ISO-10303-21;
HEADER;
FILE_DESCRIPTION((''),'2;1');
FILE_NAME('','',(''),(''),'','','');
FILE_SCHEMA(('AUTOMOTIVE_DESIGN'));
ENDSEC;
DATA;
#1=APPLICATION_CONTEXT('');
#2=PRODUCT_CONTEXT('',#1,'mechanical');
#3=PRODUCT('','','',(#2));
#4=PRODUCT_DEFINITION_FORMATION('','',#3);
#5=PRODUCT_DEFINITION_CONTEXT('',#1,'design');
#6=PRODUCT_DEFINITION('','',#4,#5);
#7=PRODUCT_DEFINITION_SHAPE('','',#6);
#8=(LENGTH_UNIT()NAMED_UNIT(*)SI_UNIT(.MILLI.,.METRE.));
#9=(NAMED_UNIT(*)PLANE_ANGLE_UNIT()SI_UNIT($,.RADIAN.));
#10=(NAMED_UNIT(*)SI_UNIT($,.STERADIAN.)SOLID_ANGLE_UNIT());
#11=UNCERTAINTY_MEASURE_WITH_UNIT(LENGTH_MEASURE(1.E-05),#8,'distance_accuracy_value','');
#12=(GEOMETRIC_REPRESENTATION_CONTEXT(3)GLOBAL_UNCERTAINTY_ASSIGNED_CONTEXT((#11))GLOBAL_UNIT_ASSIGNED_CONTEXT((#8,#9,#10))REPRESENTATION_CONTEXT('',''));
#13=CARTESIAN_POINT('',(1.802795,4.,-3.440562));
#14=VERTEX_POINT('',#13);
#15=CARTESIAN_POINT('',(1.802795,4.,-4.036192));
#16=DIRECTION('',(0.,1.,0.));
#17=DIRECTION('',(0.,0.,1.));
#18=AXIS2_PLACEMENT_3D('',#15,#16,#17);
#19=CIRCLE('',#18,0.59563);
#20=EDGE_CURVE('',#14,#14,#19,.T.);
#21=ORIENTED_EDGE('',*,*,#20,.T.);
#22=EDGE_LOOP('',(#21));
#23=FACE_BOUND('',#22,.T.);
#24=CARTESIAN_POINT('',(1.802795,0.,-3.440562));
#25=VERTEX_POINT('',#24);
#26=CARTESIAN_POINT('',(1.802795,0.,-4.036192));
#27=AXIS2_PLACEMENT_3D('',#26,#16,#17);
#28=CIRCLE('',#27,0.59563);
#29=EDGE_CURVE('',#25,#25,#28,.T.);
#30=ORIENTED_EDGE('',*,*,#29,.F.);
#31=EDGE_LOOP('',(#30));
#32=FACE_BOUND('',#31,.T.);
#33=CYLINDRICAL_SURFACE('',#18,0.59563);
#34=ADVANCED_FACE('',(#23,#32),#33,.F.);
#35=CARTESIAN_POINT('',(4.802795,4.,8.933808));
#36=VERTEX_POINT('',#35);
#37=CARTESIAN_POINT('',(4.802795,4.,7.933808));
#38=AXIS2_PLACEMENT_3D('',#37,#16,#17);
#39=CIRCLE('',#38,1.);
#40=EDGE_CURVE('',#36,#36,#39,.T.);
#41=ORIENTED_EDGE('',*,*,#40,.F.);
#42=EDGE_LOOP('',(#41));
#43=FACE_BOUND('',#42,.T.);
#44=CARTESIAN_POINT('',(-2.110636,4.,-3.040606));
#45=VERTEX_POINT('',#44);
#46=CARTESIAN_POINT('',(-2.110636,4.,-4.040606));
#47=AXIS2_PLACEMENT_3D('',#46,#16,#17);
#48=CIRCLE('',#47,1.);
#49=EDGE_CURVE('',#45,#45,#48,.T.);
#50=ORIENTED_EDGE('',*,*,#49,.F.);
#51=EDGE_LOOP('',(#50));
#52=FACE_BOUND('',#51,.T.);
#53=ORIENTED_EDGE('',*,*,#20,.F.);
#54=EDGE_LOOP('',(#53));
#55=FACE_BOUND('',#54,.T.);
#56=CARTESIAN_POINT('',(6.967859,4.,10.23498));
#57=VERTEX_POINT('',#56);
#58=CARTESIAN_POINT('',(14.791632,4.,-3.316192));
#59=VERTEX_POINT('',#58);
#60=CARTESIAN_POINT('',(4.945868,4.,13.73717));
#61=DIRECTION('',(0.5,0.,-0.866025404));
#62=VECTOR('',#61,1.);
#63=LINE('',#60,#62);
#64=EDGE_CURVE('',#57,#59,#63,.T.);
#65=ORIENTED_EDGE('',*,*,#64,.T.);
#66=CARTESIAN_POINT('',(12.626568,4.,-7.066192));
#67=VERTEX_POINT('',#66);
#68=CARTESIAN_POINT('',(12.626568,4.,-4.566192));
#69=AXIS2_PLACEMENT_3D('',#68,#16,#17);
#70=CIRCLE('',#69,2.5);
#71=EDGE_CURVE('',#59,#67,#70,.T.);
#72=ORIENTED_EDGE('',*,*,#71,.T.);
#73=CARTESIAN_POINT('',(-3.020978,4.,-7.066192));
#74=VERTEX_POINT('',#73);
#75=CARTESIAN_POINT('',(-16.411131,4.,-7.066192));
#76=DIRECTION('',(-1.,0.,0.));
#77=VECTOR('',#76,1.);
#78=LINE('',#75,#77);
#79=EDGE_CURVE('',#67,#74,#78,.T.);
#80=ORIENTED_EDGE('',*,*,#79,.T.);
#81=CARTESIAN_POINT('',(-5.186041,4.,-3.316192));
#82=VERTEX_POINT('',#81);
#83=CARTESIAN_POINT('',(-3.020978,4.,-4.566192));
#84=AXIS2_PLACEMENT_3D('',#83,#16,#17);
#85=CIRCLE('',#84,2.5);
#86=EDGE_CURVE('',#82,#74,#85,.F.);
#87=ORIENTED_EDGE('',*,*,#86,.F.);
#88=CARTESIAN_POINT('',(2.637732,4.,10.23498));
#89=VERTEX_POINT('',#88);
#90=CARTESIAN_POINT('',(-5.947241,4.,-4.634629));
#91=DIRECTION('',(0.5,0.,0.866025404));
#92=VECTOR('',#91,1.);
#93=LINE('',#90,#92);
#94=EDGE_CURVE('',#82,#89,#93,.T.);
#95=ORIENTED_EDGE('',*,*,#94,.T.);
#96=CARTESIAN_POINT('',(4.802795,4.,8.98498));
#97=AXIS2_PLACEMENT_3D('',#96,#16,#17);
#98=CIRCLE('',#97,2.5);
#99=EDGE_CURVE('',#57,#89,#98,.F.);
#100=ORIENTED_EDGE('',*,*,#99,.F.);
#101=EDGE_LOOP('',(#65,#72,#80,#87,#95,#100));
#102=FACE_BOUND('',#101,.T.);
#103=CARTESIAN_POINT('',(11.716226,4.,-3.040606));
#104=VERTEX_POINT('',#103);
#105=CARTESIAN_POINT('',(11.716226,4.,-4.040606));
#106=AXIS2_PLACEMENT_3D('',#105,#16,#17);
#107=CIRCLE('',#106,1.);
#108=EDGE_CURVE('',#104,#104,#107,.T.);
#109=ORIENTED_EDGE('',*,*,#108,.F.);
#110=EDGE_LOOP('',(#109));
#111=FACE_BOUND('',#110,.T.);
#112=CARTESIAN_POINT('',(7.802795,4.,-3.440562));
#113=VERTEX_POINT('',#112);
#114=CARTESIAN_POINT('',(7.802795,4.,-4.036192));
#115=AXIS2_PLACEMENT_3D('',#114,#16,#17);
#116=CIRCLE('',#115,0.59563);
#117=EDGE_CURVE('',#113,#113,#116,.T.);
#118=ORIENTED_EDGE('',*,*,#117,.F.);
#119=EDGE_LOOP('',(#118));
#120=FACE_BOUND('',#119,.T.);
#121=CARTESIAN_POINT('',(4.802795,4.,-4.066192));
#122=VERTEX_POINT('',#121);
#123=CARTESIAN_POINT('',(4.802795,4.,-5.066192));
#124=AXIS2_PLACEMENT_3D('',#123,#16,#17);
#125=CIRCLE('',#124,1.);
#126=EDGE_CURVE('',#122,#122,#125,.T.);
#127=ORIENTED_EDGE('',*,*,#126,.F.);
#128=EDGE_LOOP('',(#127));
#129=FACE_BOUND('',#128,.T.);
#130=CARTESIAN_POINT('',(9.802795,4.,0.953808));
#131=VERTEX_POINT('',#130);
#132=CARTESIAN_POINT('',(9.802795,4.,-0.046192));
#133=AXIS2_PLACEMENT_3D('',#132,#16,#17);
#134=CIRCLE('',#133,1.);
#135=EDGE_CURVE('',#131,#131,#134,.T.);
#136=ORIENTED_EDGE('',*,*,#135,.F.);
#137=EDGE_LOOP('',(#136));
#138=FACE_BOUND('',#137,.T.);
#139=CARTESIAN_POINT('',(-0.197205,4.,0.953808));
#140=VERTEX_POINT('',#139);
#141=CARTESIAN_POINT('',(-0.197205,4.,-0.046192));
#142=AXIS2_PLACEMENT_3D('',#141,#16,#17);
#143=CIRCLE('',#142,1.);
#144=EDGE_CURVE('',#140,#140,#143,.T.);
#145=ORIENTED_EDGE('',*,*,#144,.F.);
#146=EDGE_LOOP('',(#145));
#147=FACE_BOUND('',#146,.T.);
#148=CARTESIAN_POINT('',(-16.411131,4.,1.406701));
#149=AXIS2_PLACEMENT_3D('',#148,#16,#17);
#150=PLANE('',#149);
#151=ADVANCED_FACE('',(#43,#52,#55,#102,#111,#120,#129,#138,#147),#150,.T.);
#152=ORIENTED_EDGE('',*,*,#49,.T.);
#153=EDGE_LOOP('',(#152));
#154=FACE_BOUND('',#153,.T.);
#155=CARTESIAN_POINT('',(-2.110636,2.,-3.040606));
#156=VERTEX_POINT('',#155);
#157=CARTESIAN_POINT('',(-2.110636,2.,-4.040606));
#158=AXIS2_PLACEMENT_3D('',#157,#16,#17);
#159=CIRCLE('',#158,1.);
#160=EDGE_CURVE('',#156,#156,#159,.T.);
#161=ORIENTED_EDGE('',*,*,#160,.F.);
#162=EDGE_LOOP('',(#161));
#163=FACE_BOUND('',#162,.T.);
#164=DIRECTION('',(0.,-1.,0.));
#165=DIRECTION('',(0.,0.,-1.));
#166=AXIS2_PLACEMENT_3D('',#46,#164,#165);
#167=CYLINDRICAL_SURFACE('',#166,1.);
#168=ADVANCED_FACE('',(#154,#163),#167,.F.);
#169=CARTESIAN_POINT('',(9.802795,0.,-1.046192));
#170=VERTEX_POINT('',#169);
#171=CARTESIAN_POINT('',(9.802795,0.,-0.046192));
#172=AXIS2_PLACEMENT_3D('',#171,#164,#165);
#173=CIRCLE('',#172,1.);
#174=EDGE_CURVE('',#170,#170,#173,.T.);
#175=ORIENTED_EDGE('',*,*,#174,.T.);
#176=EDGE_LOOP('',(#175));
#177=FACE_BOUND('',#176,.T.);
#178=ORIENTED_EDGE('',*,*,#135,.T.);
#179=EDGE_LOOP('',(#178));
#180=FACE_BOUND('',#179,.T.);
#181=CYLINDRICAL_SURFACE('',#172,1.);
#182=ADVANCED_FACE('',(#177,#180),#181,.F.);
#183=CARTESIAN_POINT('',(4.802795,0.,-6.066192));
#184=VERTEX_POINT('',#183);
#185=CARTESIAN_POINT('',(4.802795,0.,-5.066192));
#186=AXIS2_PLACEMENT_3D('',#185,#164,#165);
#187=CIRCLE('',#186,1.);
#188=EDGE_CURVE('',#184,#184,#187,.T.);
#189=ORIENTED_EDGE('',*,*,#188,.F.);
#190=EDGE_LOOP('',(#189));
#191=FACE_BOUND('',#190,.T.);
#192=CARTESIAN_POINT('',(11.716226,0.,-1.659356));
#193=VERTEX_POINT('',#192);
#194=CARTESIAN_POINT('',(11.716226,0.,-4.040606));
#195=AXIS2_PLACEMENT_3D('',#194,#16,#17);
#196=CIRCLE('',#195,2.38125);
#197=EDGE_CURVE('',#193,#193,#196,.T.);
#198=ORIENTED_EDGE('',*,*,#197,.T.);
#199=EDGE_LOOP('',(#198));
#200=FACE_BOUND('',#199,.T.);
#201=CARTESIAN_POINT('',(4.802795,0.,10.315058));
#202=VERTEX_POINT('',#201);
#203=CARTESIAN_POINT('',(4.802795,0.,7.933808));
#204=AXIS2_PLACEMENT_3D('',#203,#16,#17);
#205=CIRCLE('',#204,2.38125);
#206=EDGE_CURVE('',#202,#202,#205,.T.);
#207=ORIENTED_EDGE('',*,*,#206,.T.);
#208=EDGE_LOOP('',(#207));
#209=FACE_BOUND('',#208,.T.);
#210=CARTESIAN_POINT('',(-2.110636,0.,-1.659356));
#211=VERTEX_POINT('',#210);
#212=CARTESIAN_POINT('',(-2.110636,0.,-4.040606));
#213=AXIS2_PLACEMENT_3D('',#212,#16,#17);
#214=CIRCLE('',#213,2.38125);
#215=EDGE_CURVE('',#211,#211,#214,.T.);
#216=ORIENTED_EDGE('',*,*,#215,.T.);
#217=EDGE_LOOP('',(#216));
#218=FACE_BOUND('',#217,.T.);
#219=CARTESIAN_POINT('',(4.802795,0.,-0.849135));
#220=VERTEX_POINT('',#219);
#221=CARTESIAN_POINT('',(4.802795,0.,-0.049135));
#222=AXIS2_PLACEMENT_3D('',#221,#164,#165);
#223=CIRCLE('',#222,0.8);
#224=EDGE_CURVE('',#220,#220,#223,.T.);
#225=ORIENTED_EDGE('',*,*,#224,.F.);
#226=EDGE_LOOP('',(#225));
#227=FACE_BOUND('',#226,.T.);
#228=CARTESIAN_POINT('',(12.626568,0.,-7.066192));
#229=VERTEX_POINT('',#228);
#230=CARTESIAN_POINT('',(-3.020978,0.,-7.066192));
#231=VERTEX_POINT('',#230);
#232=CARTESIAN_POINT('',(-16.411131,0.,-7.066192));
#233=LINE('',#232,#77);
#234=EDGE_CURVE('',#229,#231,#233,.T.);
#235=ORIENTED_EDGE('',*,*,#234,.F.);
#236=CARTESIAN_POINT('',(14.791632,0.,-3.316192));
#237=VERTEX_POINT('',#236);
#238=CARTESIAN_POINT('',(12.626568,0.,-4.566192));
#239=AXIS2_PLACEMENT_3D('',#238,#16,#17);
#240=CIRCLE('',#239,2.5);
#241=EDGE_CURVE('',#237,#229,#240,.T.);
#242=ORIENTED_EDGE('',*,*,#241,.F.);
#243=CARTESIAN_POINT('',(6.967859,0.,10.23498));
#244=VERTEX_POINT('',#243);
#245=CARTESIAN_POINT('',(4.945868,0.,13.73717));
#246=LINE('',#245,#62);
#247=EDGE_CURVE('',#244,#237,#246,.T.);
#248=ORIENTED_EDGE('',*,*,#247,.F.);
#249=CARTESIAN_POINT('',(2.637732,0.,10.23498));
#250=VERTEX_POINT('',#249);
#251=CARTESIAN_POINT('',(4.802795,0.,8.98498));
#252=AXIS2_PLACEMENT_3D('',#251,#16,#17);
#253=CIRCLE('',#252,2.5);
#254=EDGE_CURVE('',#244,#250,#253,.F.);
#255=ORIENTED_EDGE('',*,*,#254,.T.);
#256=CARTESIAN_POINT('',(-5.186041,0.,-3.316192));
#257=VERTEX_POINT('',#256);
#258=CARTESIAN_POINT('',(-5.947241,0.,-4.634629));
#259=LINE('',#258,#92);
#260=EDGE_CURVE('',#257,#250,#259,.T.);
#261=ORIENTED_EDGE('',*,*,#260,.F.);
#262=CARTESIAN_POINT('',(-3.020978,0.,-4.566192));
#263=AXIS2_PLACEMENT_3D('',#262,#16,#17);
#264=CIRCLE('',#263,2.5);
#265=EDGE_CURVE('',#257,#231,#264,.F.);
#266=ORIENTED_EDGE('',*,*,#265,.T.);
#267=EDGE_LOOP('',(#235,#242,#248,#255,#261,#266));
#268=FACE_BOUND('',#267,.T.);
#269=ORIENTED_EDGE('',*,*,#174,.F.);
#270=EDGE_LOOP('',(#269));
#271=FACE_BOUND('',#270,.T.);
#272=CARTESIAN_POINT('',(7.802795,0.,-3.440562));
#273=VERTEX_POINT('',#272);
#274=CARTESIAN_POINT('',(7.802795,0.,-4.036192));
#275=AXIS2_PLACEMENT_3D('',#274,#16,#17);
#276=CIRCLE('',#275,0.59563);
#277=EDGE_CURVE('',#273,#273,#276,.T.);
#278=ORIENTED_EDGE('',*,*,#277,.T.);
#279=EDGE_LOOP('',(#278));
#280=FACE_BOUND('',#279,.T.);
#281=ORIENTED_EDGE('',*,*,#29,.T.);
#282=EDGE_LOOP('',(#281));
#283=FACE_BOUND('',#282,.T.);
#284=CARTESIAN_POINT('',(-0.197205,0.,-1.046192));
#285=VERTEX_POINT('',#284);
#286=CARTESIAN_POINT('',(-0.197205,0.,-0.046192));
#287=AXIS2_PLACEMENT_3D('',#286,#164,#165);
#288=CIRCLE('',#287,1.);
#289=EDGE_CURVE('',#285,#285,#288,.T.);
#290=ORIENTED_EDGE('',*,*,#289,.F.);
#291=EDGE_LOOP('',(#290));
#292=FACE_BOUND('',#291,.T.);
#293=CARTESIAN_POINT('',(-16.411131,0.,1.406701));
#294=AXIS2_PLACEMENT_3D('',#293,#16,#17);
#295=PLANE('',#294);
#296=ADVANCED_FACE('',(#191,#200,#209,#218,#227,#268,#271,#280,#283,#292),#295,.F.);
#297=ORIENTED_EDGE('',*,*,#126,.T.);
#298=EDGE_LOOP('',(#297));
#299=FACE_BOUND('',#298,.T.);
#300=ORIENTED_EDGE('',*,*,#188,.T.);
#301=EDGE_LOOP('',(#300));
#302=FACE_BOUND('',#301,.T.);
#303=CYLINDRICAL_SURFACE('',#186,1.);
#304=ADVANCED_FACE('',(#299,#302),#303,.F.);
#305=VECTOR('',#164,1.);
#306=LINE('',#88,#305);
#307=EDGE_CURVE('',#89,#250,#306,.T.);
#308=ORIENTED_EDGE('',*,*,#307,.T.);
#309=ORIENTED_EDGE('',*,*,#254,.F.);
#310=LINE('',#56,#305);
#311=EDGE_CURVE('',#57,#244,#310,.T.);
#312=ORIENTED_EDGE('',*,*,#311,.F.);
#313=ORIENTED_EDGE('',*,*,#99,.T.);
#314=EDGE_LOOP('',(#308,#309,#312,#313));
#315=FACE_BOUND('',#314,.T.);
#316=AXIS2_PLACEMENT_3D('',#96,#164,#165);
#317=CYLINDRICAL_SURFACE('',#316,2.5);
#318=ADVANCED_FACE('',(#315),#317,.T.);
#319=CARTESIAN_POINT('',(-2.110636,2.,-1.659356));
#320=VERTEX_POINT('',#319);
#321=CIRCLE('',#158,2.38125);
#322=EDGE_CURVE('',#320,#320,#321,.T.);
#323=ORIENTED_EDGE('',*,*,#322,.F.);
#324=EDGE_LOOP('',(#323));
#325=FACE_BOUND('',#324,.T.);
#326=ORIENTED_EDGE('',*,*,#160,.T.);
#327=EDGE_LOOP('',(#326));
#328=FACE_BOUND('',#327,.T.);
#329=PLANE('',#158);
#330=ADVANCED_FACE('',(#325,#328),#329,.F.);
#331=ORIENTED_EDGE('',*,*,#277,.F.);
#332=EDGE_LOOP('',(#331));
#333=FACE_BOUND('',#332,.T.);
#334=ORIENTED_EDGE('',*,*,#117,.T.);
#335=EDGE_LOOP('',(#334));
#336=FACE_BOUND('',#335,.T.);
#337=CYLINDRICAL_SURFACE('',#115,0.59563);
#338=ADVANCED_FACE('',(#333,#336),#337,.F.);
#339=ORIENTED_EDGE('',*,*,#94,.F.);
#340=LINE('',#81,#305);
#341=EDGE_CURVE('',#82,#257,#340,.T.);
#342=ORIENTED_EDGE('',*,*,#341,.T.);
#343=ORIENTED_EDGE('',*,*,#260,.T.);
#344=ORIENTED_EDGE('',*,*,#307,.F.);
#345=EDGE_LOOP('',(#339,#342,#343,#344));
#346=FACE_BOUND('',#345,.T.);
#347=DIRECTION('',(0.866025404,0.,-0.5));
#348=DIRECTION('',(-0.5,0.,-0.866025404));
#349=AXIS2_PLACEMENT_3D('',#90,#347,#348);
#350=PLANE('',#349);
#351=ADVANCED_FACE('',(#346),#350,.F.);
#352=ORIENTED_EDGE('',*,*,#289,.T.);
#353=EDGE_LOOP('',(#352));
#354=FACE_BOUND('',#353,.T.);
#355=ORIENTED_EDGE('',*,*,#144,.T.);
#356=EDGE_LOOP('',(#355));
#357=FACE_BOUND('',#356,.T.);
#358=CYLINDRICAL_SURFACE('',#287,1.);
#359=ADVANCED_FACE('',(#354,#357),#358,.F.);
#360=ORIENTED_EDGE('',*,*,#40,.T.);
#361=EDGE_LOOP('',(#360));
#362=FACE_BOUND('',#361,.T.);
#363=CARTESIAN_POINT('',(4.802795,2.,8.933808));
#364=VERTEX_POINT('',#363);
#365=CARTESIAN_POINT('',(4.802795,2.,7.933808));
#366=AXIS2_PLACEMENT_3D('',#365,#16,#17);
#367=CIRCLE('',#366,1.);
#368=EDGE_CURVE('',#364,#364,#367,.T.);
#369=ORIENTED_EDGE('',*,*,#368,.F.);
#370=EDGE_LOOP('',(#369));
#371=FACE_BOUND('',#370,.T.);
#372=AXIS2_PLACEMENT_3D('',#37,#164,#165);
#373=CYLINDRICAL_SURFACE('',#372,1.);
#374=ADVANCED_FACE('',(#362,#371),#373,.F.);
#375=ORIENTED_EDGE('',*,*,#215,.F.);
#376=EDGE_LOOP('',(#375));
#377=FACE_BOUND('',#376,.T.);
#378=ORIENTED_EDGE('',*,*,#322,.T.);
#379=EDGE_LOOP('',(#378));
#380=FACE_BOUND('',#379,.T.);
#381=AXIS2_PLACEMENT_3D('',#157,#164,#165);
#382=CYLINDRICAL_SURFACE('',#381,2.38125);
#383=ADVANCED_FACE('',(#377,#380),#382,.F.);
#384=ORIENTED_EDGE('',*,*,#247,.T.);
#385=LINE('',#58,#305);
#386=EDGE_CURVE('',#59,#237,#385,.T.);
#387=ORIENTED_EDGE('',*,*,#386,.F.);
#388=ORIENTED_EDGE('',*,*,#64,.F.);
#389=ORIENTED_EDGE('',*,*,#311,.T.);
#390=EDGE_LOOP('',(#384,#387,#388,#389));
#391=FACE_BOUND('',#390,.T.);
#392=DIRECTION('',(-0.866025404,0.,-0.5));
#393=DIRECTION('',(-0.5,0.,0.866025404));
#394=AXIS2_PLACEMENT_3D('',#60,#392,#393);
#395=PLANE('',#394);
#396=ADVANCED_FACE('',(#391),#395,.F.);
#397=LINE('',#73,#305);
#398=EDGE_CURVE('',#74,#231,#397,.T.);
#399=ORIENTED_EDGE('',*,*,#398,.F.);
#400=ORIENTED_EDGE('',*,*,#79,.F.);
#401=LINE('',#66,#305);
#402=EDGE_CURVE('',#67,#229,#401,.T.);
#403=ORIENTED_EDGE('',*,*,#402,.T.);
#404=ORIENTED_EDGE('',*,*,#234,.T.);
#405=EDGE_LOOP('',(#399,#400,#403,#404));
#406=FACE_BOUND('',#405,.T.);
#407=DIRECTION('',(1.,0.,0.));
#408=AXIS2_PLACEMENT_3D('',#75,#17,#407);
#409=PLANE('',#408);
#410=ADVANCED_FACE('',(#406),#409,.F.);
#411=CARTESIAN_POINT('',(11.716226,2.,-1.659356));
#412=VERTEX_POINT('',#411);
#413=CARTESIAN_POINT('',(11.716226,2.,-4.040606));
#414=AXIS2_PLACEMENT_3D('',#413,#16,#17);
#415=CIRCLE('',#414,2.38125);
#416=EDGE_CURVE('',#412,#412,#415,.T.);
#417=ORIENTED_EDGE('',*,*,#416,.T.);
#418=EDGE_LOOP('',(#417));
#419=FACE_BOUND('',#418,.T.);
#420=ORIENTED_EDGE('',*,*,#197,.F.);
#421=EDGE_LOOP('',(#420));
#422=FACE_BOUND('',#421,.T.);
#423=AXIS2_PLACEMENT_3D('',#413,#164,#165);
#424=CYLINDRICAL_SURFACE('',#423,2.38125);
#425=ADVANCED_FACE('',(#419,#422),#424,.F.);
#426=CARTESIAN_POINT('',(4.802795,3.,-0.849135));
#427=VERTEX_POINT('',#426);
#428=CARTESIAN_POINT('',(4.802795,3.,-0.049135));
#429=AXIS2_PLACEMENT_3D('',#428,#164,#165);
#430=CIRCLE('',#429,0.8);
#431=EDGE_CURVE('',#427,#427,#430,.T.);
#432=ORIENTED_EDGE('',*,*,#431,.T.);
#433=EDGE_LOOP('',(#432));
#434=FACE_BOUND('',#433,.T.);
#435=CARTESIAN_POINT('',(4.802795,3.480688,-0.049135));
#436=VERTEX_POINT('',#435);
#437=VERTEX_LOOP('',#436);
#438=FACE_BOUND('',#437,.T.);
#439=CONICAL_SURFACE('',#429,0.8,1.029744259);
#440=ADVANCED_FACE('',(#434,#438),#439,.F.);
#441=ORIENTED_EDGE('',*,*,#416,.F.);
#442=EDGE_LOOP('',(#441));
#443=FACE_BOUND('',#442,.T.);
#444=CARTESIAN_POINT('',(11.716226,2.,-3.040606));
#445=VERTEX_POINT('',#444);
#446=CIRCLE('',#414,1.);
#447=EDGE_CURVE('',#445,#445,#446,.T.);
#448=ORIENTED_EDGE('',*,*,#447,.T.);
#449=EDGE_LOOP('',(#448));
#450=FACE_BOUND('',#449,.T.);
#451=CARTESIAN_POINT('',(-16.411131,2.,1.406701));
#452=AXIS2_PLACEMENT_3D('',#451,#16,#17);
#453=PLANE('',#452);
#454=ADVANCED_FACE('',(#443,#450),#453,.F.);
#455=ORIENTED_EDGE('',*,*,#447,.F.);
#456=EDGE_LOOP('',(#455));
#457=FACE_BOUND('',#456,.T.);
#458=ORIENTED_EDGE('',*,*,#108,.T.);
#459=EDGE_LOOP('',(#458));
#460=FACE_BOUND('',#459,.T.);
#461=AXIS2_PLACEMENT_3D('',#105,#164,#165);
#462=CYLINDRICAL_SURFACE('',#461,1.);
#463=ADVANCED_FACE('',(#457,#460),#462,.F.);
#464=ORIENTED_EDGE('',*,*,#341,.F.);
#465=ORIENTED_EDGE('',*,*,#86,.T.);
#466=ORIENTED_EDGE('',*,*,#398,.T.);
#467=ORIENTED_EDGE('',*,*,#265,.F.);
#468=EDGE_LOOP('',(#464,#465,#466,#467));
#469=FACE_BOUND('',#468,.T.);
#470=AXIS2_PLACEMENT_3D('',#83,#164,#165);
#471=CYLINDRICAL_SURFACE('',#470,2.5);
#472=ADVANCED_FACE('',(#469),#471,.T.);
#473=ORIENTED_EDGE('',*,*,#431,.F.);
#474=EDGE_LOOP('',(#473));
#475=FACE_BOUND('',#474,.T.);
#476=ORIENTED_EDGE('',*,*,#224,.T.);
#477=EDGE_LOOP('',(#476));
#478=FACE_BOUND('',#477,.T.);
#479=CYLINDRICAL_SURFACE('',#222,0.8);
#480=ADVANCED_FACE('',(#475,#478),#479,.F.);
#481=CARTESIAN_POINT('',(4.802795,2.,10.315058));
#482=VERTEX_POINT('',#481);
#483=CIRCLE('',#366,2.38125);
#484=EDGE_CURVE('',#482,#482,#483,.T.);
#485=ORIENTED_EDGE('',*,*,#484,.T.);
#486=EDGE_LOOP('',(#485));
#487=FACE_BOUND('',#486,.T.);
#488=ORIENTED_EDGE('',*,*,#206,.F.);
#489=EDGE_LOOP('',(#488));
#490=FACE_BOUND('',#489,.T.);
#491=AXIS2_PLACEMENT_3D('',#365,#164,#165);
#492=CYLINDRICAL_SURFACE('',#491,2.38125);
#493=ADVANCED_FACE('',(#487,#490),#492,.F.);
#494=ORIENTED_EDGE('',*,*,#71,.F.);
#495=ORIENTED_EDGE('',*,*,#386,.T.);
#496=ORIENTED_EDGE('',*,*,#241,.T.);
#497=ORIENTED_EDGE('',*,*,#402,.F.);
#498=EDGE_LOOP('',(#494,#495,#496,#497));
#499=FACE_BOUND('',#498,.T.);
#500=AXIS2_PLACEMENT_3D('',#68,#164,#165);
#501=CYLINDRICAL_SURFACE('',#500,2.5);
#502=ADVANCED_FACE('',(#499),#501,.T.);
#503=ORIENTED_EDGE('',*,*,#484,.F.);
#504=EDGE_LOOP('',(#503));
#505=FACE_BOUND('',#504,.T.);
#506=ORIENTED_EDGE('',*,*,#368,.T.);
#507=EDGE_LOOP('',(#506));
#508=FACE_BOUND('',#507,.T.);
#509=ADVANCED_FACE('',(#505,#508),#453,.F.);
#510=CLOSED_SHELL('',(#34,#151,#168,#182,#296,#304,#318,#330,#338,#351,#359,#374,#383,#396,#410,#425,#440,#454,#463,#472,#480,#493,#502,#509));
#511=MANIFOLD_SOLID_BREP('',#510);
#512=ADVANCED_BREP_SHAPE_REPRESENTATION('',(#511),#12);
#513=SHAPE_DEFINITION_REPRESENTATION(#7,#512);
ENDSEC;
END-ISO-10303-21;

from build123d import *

# Parameters (mm, degrees)
SKETCH1_R                    = 1
EXTRUDE1_DEPTH               = 4
SKETCH1_3_R                  = 2.38125
EXTRUDE4_DEPTH               = 2
M2X0_4_TAPPED_HOLE1_D        = 1.6
M2X0_4_TAPPED_HOLE1_DEPTH    = 3
M2X0_4_TAPPED_HOLE1_TIP      = 0.480688495
F_2_0_2_DIAMETER_HOLE1_D     = 2
F_2_0_2_DIAMETER_HOLE1_DEPTH = 10
F_2_0_2_DIAMETER_HOLE1_TIP   = 0.600860619
F_0_80_TAPPED_HOLE2_D        = 1.19126
F_0_80_TAPPED_HOLE2_DEPTH    = 4


with BuildPart() as part:
    # Sketch1 → Extrude1 (new body)
    with BuildSketch(Plane(origin=(0, 0, 0), x_dir=(1, 0, 0), z_dir=(0, 1, 0))):
        with BuildLine():
            Line((-5.186041147, 3.316192399), (2.637731834, -10.234979911))
            ThreePointArc((2.637731834, -10.234979911), (4.802795343, -11.484979911), (6.967858853, -10.234979911))
            Line((6.967858853, -10.234979911), (14.791631834, 3.316192399))
            ThreePointArc((14.791631834, 3.316192399), (14.791631834, 5.816192399), (12.626568324, 7.066192399))
            Line((12.626568324, 7.066192399), (-3.020977638, 7.066192399))
            ThreePointArc((-3.020977638, 7.066192399), (-5.186041147, 5.816192399), (-5.186041147, 3.316192399))
        make_face()
        with Locations((-2.110635714, 4.040606244)):
            Circle(SKETCH1_R, mode=Mode.SUBTRACT)
        with Locations((11.7162264, 4.040606244)):
            Circle(SKETCH1_R, mode=Mode.SUBTRACT)
        with Locations((4.802795343, -7.933807601)):
            Circle(SKETCH1_R, mode=Mode.SUBTRACT)
    extrude(amount=EXTRUDE1_DEPTH)

    # Sketch1<3> → Extrude4 (cut)
    with BuildSketch(Plane(origin=(0, 0, 0), x_dir=(1, 0, 0), z_dir=(0, 1, 0))):
        with Locations((4.802795343, -7.933807601)):
            Circle(SKETCH1_3_R)
        with Locations((11.7162264, 4.040606244)):
            Circle(SKETCH1_3_R)
        with Locations((-2.110635714, 4.040606244)):
            Circle(SKETCH1_3_R)
    extrude(amount=EXTRUDE4_DEPTH, mode=Mode.SUBTRACT)

    # M2x0.4 Tapped Hole1
    with Locations(Plane(origin=(4.802795343, 0, -0.049134963), x_dir=(0, 0, -1), z_dir=(0, -1, 0))):
        with Locations((0, 0)):
            Hole(M2X0_4_TAPPED_HOLE1_D / 2, depth=M2X0_4_TAPPED_HOLE1_DEPTH)
            with Locations((0, 0, -(M2X0_4_TAPPED_HOLE1_DEPTH + M2X0_4_TAPPED_HOLE1_TIP / 2))):  # 118° drill point
                Cone(0, M2X0_4_TAPPED_HOLE1_D / 2, M2X0_4_TAPPED_HOLE1_TIP, mode=Mode.SUBTRACT)

    # Ø2.0 (2) Diameter Hole1
    with Locations(Plane(origin=(4.802795343, 0, -5.066192399), x_dir=(0, 0, -1), z_dir=(0, -1, 0))):
        with Locations((0, 0), (-5.02, 5), (-5.02, -5)):
            Hole(F_2_0_2_DIAMETER_HOLE1_D / 2, depth=F_2_0_2_DIAMETER_HOLE1_DEPTH)
            with Locations((0, 0, -(F_2_0_2_DIAMETER_HOLE1_DEPTH + F_2_0_2_DIAMETER_HOLE1_TIP / 2))):  # 118° drill point
                Cone(0, F_2_0_2_DIAMETER_HOLE1_D / 2, F_2_0_2_DIAMETER_HOLE1_TIP, mode=Mode.SUBTRACT)

    # #0-80 Tapped Hole2
    with Locations(Plane(origin=(1.802795343, 4, -4.036192399), x_dir=(0, 0, 1), z_dir=(0, 1, 0))):
        with Locations((0, 0), (0, 6)):
            Hole(F_0_80_TAPPED_HOLE2_D / 2, depth=F_0_80_TAPPED_HOLE2_DEPTH)


solid = part.part
